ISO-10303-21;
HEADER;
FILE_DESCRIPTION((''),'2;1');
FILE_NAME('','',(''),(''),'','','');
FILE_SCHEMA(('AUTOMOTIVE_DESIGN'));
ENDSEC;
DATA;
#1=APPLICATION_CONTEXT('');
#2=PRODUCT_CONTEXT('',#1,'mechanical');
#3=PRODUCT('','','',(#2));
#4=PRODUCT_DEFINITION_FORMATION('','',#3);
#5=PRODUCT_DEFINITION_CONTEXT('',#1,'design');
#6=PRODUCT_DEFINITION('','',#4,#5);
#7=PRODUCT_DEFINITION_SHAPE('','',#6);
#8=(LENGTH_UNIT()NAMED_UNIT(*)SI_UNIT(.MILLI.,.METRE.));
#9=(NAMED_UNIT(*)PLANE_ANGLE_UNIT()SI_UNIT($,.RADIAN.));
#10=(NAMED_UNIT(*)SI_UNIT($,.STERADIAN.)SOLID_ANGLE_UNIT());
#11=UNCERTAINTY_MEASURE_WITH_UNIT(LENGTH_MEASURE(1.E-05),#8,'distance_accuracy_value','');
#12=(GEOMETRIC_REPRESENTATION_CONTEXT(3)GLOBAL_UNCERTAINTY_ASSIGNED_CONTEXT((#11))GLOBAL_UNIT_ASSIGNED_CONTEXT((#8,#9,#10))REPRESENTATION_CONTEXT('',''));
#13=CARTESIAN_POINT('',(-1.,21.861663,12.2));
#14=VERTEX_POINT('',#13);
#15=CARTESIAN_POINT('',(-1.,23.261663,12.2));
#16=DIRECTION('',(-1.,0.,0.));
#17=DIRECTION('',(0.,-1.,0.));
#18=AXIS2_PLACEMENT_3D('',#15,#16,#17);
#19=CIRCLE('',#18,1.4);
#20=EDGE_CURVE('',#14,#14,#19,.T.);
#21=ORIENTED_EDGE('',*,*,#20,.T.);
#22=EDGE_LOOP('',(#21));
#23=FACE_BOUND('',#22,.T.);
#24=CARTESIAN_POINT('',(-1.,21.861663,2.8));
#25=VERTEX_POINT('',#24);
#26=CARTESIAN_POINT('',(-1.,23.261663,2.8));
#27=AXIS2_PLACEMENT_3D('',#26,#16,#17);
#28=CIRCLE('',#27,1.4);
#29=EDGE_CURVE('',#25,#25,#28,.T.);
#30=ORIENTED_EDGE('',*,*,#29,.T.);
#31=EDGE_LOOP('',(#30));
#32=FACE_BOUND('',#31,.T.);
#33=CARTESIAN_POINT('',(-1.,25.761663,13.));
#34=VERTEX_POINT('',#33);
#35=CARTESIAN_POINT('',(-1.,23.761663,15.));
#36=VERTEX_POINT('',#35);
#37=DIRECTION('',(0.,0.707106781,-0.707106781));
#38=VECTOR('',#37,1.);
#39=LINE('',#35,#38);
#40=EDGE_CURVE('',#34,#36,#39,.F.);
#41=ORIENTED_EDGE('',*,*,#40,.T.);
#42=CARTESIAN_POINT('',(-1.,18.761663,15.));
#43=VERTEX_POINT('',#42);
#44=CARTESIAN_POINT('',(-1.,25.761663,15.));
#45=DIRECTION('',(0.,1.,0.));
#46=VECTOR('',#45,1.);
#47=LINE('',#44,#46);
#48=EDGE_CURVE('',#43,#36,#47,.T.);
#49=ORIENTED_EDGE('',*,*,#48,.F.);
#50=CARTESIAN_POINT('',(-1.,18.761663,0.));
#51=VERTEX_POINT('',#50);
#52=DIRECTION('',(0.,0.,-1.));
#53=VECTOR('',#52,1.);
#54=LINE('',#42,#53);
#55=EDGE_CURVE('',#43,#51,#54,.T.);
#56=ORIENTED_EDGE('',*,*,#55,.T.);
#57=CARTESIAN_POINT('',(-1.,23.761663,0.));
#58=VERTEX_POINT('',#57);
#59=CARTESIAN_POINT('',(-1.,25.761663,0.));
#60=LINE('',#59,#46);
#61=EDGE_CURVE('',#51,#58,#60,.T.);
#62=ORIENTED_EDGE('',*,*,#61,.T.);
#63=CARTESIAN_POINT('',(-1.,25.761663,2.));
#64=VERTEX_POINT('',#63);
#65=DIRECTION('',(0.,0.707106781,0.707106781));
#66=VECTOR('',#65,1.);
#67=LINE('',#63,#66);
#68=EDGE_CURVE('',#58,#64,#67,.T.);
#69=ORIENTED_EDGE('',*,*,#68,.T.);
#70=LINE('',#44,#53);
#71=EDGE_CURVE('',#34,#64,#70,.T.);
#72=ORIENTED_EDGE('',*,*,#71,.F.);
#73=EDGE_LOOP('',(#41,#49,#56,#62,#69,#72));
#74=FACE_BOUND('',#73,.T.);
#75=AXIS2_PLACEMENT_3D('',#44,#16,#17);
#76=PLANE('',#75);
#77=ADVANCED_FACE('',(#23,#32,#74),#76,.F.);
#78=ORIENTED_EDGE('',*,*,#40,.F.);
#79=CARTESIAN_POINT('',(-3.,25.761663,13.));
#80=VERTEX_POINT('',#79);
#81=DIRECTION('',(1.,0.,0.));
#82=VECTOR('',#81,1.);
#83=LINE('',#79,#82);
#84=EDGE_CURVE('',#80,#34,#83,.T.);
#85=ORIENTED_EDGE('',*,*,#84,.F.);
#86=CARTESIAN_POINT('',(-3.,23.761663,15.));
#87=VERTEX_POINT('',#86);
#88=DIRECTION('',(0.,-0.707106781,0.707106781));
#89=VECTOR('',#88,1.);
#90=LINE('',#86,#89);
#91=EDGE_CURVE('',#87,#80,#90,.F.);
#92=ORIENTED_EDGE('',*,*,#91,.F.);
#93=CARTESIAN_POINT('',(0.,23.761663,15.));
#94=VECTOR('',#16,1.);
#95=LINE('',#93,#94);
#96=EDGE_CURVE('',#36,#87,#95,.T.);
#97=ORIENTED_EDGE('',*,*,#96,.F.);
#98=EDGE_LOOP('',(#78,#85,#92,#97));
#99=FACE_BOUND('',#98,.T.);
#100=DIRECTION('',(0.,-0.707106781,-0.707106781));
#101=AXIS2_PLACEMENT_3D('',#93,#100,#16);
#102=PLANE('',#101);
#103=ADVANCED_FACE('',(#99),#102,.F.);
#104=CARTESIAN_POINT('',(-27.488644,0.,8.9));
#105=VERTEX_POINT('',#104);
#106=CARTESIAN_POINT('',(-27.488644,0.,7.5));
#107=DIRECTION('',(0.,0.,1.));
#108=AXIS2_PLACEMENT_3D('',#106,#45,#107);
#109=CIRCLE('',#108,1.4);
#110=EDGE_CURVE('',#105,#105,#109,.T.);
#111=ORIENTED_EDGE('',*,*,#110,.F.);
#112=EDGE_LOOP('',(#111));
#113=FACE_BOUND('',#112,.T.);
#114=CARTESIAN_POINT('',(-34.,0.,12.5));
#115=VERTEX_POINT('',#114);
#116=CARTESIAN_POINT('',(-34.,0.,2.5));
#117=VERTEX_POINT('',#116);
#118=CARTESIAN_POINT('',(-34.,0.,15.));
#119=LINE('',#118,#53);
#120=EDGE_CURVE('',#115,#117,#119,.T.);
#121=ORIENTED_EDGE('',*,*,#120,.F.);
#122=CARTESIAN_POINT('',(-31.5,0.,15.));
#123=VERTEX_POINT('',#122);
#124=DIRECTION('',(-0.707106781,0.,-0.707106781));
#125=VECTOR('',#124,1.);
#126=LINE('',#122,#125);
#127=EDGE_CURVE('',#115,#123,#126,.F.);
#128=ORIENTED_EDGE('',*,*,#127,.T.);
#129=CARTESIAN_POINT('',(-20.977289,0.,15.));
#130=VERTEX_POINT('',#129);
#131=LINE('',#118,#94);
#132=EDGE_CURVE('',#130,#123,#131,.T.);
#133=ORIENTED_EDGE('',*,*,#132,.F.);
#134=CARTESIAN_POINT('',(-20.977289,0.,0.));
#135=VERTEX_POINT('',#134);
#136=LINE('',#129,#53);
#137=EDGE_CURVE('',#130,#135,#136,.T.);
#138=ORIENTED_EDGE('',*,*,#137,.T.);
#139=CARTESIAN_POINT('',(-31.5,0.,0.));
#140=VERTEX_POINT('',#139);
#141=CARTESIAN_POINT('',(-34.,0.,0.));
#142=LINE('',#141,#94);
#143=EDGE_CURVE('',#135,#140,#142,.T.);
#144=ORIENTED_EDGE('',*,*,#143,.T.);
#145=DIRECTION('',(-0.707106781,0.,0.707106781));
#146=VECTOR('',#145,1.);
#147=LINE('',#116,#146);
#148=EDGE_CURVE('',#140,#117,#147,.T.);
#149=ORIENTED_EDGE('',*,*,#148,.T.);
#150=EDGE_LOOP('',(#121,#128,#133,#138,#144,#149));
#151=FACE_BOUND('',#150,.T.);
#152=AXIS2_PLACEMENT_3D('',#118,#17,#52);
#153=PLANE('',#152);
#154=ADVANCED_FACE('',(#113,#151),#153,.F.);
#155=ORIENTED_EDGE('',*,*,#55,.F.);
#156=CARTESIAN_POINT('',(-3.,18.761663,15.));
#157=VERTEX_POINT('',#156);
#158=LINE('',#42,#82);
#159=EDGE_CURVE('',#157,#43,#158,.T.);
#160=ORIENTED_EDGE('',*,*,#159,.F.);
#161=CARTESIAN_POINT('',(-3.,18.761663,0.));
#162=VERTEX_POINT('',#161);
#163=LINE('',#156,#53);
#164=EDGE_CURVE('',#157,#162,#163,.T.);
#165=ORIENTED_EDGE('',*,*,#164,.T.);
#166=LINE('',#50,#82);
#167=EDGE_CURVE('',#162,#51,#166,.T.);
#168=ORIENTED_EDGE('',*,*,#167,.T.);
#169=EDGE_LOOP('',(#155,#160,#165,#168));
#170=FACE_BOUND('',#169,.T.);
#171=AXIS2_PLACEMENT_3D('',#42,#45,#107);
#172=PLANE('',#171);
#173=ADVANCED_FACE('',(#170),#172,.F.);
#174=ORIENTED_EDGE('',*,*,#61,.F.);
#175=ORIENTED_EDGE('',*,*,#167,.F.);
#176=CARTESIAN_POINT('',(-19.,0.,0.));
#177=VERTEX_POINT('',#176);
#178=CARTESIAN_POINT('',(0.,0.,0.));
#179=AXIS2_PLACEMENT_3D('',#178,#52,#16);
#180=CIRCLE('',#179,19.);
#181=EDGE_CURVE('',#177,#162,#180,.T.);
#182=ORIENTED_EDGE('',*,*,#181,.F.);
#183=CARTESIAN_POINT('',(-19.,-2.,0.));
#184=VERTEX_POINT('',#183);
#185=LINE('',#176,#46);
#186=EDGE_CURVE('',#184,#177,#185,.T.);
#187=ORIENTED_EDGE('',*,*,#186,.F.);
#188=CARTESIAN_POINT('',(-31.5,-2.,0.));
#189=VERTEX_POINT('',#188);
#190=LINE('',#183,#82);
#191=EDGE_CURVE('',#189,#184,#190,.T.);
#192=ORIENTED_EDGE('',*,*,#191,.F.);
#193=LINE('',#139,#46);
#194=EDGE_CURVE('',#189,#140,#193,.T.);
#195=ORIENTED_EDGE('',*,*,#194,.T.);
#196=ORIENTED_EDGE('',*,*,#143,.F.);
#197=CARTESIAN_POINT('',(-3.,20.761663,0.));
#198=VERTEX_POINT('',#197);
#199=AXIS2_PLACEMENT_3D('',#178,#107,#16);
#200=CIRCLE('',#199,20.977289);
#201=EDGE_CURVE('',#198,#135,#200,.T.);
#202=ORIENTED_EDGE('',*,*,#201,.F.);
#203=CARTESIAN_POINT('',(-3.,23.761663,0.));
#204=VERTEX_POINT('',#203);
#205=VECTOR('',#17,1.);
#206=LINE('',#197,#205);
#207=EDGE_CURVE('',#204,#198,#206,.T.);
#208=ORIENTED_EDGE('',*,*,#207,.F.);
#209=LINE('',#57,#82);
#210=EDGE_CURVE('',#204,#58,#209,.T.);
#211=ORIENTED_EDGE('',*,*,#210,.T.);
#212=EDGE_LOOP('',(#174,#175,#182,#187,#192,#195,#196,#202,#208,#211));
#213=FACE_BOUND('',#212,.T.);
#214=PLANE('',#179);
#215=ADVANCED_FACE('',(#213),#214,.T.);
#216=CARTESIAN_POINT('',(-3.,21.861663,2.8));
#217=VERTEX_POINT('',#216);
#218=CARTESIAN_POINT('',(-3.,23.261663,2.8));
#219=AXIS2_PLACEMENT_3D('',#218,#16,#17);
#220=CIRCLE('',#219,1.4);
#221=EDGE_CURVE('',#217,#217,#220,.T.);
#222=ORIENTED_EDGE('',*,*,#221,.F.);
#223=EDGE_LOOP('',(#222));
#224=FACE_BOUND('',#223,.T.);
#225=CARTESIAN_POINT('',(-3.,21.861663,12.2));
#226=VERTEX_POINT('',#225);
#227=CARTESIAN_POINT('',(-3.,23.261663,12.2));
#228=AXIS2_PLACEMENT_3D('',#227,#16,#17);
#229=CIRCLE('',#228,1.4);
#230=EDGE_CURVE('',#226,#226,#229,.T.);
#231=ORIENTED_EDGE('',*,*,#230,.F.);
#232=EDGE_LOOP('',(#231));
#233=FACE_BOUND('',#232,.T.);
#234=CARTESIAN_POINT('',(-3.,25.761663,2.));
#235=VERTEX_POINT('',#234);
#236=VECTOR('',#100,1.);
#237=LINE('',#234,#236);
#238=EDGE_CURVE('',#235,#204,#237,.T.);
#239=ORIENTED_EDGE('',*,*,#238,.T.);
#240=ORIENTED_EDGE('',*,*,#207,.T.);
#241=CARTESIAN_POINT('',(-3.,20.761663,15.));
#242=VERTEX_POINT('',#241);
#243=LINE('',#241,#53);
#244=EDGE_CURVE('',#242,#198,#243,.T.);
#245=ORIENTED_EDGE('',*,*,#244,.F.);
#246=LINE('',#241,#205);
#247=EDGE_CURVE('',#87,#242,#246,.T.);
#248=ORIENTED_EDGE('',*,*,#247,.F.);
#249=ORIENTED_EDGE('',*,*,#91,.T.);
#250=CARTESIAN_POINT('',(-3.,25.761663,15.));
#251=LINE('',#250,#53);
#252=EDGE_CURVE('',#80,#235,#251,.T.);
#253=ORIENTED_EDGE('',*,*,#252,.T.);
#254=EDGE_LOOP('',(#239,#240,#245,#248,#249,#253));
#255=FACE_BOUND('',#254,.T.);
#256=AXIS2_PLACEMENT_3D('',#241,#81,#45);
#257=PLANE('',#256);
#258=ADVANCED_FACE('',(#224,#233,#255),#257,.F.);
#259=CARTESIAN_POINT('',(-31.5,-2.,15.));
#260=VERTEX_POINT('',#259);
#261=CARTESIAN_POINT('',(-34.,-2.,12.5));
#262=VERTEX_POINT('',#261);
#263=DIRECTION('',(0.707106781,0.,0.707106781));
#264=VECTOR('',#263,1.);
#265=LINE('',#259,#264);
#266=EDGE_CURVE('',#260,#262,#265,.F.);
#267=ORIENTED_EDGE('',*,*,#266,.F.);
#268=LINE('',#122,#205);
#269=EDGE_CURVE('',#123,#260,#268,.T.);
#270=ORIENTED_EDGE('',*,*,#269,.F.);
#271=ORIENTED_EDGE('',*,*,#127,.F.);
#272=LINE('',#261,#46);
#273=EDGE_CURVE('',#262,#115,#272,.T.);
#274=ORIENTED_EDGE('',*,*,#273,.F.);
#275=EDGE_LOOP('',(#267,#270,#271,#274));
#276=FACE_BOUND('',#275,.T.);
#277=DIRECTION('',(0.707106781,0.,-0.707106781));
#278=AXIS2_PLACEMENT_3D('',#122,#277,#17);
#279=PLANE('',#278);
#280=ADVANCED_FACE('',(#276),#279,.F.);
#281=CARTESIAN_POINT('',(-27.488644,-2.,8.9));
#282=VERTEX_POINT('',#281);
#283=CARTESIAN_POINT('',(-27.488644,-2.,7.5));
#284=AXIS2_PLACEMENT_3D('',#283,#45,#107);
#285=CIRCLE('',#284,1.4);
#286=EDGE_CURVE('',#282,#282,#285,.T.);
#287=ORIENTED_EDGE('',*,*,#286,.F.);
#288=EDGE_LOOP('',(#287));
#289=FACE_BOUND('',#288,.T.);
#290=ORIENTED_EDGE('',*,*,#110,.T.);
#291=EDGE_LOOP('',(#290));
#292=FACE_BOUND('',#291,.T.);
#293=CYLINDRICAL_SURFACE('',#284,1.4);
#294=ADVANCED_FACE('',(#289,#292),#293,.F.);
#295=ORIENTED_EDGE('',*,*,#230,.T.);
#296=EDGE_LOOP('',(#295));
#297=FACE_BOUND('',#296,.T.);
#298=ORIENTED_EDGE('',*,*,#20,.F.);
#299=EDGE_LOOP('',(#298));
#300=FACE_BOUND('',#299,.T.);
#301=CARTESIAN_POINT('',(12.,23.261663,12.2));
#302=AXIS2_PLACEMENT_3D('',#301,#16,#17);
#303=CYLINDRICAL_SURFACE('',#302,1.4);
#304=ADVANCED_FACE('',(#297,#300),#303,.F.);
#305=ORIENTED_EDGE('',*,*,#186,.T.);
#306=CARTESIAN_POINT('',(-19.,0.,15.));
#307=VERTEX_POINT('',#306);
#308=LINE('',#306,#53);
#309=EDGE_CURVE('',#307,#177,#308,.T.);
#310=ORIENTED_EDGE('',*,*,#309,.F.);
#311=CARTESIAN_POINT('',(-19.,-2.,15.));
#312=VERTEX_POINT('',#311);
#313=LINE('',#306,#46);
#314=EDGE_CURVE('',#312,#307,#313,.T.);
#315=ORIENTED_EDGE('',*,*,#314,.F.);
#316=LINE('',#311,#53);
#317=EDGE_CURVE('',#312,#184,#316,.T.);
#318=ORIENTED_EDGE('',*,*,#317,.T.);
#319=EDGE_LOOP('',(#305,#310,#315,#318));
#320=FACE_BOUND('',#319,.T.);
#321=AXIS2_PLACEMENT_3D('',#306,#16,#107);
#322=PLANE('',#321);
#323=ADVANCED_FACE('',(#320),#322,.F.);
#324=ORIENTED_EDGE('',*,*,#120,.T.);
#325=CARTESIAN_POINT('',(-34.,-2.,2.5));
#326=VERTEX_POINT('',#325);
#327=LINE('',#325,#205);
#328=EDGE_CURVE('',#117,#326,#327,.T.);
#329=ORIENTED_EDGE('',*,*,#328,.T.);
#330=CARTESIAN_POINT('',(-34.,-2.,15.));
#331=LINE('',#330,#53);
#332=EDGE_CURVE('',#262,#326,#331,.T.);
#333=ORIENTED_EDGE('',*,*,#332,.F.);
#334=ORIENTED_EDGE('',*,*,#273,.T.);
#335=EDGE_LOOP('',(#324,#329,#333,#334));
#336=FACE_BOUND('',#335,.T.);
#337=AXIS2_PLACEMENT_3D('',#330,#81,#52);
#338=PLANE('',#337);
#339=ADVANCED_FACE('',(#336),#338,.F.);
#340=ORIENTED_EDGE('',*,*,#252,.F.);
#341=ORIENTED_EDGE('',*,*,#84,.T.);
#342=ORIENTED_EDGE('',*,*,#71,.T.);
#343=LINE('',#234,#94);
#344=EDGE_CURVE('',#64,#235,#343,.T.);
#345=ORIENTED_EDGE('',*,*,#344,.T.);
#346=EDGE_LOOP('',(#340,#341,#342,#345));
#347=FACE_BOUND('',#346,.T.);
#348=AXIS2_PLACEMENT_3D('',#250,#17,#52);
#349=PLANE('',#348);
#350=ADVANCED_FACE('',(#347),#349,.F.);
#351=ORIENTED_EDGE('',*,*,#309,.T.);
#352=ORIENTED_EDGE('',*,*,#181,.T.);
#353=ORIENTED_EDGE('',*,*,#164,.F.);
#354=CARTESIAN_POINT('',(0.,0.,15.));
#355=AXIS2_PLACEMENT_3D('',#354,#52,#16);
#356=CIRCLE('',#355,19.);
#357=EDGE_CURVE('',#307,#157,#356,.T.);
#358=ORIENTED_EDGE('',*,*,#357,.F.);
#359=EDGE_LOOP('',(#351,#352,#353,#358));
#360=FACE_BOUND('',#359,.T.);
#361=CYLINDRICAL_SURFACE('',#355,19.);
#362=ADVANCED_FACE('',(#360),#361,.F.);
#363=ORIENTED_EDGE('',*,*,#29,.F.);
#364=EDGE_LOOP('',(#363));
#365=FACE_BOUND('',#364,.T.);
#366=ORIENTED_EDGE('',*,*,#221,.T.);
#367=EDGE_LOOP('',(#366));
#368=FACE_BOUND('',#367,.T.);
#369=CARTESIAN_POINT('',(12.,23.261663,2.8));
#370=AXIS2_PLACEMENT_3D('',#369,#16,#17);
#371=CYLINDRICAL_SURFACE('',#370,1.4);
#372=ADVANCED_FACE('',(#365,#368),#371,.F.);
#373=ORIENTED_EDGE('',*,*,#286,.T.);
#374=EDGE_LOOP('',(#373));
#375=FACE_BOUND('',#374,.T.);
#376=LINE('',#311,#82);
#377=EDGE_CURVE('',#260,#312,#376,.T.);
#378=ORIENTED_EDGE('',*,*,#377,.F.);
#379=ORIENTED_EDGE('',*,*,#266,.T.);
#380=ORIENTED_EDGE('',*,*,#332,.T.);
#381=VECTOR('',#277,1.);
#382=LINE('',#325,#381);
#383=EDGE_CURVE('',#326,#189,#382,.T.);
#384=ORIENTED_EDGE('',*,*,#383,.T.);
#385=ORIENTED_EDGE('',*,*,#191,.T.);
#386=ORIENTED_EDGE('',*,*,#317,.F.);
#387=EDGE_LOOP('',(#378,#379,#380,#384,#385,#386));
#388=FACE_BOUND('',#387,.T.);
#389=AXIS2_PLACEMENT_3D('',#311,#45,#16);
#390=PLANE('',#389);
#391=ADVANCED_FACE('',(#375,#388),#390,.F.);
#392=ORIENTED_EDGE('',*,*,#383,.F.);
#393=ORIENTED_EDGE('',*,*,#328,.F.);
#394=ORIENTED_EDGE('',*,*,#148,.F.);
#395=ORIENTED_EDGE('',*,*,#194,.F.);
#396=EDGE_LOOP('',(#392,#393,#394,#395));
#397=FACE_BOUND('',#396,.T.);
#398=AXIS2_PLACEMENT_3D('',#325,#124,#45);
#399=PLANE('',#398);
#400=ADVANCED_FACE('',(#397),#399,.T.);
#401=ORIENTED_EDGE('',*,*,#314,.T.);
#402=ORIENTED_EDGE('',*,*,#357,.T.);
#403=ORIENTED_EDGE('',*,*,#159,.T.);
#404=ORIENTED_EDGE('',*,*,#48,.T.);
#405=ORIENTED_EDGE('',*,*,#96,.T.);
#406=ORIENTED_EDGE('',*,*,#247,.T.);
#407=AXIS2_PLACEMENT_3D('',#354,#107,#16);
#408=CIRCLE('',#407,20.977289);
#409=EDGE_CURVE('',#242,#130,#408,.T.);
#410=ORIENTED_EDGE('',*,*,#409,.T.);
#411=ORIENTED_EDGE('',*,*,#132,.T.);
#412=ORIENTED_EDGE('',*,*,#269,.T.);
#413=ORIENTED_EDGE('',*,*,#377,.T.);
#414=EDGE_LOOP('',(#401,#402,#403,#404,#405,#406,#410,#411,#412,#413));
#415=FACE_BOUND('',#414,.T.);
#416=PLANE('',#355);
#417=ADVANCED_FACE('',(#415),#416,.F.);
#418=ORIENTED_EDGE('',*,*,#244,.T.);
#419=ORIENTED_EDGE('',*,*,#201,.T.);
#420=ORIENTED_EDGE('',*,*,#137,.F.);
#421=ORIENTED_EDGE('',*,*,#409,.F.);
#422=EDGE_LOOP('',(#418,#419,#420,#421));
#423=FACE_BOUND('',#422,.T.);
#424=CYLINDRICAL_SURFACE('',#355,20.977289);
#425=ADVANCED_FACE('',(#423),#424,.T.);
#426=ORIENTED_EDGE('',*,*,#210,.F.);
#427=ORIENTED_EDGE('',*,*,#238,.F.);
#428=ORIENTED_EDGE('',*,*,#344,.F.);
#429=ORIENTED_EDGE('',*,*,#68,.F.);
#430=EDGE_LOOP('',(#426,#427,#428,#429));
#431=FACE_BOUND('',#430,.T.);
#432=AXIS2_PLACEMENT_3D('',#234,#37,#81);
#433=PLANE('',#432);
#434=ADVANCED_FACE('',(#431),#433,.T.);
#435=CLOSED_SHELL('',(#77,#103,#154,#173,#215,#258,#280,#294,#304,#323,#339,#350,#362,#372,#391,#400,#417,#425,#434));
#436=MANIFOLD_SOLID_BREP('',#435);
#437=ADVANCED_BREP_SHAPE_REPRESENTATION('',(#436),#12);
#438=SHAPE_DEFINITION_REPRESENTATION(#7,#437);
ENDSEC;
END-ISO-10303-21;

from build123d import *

# Parameters (mm, degrees)
BOSS_EXTRUDE1_DEPTH = 15
CHAMFER1_SIZE       = 2.5
SKETCH2_R           = 1.4
CUT_EXTRUDE1_DEPTH  = 15
CHAMFER2_SIZE       = 2
SKETCH3_R           = 1.4
CUT_EXTRUDE2_DEPTH  = 46.2179531


with BuildPart() as part:
    # Sketch1 → Boss-Extrude1 (new body)
    with BuildSketch(Plane.XY):
        with BuildLine():
            Line((-19, 0), (-19, -2))
            Line((-19, -2), (-34, -2))
            Line((-34, -2), (-34, 0))
            Line((-34, 0), (-20.977288961, 0))
            ThreePointArc((-20.977288961, 0), (-15.858412894, 13.731620175), (-3, 20.761663039))
            Line((-3, 20.761663039), (-3, 25.761663039))
            Line((-3, 25.761663039), (-1, 25.761663039))
            Line((-1, 25.761663039), (-1, 18.761663039))
            Line((-1, 18.761663039), (-3, 18.761663039))
            ThreePointArc((-3, 18.761663039), (-14.456832295, 12.328828006), (-19, 0))
        make_face()
    extrude(amount=BOSS_EXTRUDE1_DEPTH)

    # Chamfer1
    chamfer1_edges = [part.edges().sort_by_distance(p)[0] for p in [
        (-34, -1, 0),
        (-34, -1, 15),
    ]]
    chamfer(chamfer1_edges, length=CHAMFER1_SIZE)

    # Sketch2 → Cut-Extrude1 (cut)
    with BuildSketch(Plane.ZY.offset(3)):
        with Locations(Location((2.8, 23.261663039, 0), (0, 0, 270))):
            Circle(SKETCH2_R)
        with Locations(Location((12.2, 23.261663039, 0), (0, 0, 270))):
            Circle(SKETCH2_R)
    extrude(amount=-CUT_EXTRUDE1_DEPTH, mode=Mode.SUBTRACT)

    # Chamfer2
    chamfer2_edges = [part.edges().sort_by_distance(p)[0] for p in [
        (-2, 25.761663039, 0),
        (-2, 25.761663039, 15),
    ]]
    chamfer(chamfer2_edges, length=CHAMFER2_SIZE)

    # Sketch3 → Cut-Extrude2 (cut, through all)
    with BuildSketch(Plane(origin=(0, 0, 0), x_dir=(1, 0, 0), z_dir=(0, 1, 0))):
        with Locations(Location((-27.488644481, -7.5, 0), (0, 0, 270))):
            Circle(SKETCH3_R)
    extrude(amount=-CUT_EXTRUDE2_DEPTH, mode=Mode.SUBTRACT)


solid = part.part
